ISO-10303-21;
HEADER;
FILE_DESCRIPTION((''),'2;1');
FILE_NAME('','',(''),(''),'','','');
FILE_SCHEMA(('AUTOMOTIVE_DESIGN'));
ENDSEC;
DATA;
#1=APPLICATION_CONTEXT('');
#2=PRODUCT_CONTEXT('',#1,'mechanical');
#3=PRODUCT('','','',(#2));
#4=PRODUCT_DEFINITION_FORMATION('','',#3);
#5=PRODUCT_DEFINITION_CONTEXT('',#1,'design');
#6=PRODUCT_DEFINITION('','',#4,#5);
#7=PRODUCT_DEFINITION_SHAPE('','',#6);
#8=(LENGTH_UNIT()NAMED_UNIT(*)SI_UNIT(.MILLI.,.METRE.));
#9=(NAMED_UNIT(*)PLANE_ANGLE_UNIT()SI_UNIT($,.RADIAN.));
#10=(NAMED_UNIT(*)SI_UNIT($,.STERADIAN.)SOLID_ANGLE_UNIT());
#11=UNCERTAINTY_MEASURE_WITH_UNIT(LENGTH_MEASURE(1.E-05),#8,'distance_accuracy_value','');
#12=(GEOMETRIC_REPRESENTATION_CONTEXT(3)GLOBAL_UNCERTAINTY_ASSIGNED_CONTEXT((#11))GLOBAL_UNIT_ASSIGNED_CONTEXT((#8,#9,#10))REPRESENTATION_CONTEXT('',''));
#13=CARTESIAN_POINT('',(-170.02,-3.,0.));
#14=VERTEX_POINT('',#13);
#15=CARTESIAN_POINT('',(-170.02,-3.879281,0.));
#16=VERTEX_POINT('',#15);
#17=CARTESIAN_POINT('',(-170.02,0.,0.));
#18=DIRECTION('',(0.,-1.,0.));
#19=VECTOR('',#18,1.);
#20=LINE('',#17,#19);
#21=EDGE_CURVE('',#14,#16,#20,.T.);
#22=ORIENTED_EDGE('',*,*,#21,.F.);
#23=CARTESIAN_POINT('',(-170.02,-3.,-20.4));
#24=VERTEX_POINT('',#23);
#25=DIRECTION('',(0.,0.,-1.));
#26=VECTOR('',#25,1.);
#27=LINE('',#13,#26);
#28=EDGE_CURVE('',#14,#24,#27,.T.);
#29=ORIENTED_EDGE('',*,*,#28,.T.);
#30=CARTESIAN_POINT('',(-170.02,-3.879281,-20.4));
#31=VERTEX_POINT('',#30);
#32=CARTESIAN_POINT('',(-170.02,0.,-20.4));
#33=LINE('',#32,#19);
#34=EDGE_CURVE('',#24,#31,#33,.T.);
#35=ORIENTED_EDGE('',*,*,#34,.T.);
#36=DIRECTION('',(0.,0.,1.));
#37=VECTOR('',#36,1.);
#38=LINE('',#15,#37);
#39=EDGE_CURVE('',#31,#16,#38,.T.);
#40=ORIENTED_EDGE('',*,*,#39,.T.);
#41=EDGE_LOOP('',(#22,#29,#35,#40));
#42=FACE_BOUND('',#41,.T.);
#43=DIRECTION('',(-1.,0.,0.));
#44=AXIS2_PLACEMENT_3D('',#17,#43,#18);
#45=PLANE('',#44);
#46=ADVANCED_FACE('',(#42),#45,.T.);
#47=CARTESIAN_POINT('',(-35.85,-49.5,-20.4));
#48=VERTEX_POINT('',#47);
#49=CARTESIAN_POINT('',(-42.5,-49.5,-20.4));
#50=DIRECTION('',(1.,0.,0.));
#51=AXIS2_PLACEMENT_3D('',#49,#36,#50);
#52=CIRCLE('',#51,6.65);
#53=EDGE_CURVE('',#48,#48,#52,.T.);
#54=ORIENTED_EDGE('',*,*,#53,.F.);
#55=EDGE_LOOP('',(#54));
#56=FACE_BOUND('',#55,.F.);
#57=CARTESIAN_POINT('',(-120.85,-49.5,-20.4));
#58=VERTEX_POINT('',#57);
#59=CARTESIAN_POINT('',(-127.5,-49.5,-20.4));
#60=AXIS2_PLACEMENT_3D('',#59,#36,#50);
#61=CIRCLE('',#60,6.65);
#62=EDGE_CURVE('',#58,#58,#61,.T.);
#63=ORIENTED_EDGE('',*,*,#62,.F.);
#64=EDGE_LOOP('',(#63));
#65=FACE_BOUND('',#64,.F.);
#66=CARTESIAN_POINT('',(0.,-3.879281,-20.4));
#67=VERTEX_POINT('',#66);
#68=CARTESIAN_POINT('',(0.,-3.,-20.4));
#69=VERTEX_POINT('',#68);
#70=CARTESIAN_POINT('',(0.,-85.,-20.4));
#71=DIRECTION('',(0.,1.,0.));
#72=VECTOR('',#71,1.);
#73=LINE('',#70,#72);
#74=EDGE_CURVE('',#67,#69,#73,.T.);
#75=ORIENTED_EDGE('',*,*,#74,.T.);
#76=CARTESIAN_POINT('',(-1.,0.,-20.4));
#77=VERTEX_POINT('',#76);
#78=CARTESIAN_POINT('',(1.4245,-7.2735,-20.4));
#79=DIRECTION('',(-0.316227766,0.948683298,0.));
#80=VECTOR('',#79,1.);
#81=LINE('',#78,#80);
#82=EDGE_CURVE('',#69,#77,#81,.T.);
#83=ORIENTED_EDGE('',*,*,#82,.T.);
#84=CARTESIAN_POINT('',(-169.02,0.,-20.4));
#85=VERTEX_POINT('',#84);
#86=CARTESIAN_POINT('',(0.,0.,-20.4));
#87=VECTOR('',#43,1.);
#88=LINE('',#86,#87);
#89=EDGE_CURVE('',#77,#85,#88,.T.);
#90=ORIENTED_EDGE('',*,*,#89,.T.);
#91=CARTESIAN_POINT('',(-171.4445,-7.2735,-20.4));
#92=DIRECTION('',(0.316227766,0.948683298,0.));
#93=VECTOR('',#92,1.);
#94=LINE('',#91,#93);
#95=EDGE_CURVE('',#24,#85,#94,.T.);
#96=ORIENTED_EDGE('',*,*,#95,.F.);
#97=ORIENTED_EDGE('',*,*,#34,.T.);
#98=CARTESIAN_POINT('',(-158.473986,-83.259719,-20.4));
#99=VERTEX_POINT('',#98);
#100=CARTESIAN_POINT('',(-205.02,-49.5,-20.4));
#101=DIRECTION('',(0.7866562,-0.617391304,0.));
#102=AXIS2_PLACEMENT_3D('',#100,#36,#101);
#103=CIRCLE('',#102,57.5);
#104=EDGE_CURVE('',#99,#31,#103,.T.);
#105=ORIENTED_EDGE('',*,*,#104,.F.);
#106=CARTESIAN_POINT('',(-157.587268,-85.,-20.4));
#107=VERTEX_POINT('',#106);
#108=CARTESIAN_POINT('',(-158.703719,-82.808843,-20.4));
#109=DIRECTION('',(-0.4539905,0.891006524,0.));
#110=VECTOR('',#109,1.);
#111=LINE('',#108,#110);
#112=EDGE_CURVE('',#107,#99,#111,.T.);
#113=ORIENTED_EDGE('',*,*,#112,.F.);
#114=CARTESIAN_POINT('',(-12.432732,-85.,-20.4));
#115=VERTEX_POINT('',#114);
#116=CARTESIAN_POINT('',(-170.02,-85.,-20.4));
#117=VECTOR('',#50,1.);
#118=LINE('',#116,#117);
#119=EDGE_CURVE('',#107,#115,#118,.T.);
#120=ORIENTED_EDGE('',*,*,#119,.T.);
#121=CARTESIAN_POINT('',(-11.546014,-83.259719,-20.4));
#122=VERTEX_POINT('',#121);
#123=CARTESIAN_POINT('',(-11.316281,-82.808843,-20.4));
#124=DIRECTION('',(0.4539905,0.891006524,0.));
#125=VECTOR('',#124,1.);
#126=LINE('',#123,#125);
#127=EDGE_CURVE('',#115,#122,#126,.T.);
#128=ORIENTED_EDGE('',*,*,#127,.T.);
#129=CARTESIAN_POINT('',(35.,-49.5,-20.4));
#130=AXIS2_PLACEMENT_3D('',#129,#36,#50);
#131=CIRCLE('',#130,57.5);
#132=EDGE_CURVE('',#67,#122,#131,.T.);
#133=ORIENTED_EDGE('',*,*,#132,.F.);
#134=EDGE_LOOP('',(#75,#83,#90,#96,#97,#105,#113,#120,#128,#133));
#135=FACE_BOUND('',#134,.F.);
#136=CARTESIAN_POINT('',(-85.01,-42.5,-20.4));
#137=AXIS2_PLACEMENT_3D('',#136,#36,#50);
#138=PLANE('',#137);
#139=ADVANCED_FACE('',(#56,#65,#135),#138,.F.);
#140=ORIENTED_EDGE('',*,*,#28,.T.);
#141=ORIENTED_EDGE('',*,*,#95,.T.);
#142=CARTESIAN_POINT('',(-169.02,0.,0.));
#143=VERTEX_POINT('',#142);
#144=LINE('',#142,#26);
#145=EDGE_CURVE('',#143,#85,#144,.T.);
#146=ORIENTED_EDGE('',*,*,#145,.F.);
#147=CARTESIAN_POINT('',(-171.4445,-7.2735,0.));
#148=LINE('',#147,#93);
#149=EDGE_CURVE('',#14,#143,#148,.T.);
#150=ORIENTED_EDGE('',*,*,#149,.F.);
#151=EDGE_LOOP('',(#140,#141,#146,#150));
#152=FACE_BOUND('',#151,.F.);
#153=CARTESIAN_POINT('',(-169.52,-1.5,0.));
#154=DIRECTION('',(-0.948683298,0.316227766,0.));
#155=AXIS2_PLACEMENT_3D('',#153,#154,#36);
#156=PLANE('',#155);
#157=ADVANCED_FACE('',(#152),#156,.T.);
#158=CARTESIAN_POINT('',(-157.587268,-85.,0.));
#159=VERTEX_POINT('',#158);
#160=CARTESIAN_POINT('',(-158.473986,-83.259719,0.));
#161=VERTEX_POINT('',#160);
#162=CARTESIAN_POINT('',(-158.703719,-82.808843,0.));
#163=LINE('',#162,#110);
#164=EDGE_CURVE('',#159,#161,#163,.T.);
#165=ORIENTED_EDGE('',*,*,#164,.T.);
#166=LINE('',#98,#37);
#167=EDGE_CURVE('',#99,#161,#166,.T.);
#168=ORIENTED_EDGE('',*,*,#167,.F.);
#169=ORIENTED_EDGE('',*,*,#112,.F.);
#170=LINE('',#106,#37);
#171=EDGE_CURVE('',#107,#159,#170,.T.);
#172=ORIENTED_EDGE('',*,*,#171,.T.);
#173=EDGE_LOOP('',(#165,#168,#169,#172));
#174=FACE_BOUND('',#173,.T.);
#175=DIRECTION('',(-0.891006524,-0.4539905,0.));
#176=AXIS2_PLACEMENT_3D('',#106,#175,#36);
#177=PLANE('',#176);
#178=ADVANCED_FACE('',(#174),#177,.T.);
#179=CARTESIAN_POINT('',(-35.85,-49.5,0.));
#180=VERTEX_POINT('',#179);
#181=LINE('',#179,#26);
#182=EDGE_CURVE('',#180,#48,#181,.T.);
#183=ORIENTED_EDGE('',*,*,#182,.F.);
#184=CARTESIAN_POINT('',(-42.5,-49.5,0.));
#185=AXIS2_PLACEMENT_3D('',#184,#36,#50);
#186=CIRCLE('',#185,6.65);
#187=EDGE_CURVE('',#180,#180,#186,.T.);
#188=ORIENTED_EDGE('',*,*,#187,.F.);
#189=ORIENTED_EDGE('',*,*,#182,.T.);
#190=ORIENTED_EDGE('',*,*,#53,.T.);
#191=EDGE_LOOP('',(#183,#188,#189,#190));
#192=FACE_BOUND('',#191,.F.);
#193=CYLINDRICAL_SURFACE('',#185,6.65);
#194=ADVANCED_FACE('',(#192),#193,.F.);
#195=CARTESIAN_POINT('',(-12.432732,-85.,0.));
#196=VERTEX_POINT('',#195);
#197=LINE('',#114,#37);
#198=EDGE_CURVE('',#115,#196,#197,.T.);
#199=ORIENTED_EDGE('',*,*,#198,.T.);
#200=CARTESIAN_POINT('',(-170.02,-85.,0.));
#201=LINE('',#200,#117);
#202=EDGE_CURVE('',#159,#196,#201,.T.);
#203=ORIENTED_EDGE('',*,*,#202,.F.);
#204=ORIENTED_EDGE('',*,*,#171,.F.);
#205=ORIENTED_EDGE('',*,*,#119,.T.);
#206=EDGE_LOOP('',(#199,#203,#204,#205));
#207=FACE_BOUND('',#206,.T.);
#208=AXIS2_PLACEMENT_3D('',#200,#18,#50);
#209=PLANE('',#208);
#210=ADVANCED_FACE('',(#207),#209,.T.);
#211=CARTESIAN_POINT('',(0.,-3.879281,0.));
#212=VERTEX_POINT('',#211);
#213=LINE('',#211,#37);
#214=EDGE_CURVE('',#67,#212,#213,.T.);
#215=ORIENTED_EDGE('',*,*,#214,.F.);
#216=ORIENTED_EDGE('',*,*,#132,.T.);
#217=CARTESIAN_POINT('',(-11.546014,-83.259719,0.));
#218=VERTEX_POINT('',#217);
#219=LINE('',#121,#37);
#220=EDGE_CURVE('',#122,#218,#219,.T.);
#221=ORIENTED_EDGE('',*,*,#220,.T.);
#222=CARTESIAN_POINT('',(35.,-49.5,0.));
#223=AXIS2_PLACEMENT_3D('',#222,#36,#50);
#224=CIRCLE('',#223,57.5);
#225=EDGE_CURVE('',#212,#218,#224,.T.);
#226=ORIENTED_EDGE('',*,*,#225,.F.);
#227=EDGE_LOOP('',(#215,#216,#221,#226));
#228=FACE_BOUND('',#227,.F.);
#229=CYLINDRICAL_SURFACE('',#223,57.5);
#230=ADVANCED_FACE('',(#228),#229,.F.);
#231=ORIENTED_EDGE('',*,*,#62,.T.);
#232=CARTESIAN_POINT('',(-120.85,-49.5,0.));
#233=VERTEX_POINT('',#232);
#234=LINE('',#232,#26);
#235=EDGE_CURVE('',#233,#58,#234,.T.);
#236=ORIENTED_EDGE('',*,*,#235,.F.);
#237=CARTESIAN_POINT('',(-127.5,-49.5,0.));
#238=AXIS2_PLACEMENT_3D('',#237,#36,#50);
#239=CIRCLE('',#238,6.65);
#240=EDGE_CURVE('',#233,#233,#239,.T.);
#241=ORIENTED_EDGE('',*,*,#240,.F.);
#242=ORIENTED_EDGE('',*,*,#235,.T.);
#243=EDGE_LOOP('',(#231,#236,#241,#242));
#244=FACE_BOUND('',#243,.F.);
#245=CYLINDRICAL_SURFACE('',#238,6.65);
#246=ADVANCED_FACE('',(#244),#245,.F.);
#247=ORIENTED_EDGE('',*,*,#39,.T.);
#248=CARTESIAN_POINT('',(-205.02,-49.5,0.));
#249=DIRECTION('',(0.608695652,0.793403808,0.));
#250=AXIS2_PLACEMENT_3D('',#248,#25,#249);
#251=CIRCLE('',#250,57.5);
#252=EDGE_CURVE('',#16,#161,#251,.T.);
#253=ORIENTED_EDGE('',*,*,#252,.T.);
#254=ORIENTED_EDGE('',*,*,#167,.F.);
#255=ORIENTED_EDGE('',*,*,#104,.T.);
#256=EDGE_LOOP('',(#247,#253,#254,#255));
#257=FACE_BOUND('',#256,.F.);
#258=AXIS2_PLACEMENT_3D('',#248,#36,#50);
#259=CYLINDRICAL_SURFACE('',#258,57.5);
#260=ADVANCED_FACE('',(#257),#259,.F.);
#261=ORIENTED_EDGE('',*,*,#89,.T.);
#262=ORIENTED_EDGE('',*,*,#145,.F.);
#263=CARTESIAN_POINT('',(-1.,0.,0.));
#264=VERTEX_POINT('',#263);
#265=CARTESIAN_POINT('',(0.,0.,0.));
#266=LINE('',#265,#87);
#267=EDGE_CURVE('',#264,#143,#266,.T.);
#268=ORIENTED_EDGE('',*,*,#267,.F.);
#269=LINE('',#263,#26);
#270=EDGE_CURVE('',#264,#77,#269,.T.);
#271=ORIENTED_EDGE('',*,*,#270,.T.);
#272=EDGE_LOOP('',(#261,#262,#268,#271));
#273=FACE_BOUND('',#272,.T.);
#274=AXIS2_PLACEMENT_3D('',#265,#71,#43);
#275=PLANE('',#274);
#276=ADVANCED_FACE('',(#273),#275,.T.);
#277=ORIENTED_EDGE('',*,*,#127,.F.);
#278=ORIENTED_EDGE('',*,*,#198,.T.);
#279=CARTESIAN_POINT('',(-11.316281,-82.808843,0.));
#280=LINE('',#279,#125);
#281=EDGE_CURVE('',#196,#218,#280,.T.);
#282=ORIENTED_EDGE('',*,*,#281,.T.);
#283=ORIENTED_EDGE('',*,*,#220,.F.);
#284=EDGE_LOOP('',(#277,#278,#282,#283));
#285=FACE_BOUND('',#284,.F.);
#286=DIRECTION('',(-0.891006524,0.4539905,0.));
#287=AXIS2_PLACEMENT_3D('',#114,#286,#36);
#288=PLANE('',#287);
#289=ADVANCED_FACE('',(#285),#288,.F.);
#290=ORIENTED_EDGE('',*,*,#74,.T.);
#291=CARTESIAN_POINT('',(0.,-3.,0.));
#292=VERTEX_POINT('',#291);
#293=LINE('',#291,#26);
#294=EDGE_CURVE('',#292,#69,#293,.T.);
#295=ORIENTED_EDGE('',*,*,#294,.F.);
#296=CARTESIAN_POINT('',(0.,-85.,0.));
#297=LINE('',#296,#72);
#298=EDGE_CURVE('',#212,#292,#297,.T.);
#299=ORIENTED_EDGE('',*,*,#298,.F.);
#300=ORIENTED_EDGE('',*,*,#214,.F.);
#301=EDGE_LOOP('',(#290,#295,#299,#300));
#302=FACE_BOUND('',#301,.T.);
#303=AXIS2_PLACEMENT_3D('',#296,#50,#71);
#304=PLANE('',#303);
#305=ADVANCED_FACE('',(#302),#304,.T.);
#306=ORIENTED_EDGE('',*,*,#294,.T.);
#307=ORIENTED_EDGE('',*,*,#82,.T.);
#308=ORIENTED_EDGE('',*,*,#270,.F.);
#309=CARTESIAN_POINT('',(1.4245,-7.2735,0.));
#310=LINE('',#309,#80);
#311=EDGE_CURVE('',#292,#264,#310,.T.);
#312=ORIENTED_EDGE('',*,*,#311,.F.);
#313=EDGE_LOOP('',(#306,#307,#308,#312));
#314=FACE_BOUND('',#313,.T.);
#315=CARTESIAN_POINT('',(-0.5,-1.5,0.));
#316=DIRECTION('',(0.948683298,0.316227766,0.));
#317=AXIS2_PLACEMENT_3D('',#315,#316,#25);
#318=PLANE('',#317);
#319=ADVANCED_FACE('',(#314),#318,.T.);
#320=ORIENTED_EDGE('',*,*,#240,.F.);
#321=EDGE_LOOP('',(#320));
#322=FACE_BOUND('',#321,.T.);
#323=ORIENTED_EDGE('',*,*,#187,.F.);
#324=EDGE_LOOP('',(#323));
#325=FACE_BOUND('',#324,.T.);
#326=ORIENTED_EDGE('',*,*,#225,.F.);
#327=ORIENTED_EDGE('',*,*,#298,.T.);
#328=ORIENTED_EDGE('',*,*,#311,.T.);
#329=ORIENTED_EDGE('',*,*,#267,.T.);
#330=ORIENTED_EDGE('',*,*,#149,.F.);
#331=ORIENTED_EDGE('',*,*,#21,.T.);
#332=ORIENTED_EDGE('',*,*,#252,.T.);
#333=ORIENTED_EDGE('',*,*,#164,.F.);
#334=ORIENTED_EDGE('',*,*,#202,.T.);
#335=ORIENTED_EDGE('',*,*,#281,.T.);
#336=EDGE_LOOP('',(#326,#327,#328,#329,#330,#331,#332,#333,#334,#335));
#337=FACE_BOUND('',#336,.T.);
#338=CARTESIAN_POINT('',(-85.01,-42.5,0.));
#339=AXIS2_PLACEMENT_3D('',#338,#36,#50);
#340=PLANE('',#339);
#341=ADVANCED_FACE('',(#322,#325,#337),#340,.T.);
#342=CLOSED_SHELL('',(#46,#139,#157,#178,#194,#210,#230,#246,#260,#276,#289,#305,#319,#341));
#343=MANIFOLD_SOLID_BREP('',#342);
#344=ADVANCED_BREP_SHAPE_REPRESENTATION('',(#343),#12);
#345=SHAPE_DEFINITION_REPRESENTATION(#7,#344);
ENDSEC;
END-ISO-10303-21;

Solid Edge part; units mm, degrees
sketch "Sketch1" plane through (0, 0, 0) normal (0, 0, 1) x (1, 0, 0)
  line L0 (0, 0) -> (-170.02, 0)
  line L1 (-170.02, 0) -> (-170.02, -85)
  line L2 (-170.02, -85) -> (0, -85)
  line L3 (0, -85) -> (0, 0)
extrude "Protrusion1" add sketch "Sketch1" against normal blind 20.4
chamfer "Chamfer_2" [suppressed]
chamfer "Chamfer_3" [suppressed]
chamfer "Chamfer_9" [suppressed]
chamfer "Chamfer_10" [suppressed]
sketch "Sketch2" plane through (-85.01, -42.5, 0) normal (0, 0, 1) x (1, 0, 0)
  circle A0 centre (-42.49, -7) radius 6.65
  circle A1 centre (42.51, -7) radius 6.65
extrude "ExtrudedCutout_4" cut sketch "Sketch2" against normal blind 22
sketch "Sketch3" plane through (-85.01, -42.5, 0) normal (0, 0, 1) x (1, 0, 0)
  circle A0 centre (-120.01, -7) radius 57.5
  circle A1 centre (120.01, -7) radius 57.5
extrude "ExtrudedCutout_5" cut sketch "Sketch3" against normal blind 22
chamfer "Chamfer_14" distance 3 distance2 1 1 edges at (0, 0, -10.2) measured on face at (0, -3.2715, -16.796)
chamfer "Chamfer_15" distance 3 distance2 1 1 edges at (-170.02, 0, -10.2) measured on face at (-170.02, -0.6078, -16.796)
chamfer "Chamfer_16" distance 2.2 angle 63 1 edges at (-159.7873, -85, -10.2) measured on face at (-136.3571, -85, -16.796)
chamfer "Chamfer_17" distance 2.2 angle 63 1 edges at (-10.2327, -85, -10.2) measured on face at (-134.5017, -85, -16.796)
